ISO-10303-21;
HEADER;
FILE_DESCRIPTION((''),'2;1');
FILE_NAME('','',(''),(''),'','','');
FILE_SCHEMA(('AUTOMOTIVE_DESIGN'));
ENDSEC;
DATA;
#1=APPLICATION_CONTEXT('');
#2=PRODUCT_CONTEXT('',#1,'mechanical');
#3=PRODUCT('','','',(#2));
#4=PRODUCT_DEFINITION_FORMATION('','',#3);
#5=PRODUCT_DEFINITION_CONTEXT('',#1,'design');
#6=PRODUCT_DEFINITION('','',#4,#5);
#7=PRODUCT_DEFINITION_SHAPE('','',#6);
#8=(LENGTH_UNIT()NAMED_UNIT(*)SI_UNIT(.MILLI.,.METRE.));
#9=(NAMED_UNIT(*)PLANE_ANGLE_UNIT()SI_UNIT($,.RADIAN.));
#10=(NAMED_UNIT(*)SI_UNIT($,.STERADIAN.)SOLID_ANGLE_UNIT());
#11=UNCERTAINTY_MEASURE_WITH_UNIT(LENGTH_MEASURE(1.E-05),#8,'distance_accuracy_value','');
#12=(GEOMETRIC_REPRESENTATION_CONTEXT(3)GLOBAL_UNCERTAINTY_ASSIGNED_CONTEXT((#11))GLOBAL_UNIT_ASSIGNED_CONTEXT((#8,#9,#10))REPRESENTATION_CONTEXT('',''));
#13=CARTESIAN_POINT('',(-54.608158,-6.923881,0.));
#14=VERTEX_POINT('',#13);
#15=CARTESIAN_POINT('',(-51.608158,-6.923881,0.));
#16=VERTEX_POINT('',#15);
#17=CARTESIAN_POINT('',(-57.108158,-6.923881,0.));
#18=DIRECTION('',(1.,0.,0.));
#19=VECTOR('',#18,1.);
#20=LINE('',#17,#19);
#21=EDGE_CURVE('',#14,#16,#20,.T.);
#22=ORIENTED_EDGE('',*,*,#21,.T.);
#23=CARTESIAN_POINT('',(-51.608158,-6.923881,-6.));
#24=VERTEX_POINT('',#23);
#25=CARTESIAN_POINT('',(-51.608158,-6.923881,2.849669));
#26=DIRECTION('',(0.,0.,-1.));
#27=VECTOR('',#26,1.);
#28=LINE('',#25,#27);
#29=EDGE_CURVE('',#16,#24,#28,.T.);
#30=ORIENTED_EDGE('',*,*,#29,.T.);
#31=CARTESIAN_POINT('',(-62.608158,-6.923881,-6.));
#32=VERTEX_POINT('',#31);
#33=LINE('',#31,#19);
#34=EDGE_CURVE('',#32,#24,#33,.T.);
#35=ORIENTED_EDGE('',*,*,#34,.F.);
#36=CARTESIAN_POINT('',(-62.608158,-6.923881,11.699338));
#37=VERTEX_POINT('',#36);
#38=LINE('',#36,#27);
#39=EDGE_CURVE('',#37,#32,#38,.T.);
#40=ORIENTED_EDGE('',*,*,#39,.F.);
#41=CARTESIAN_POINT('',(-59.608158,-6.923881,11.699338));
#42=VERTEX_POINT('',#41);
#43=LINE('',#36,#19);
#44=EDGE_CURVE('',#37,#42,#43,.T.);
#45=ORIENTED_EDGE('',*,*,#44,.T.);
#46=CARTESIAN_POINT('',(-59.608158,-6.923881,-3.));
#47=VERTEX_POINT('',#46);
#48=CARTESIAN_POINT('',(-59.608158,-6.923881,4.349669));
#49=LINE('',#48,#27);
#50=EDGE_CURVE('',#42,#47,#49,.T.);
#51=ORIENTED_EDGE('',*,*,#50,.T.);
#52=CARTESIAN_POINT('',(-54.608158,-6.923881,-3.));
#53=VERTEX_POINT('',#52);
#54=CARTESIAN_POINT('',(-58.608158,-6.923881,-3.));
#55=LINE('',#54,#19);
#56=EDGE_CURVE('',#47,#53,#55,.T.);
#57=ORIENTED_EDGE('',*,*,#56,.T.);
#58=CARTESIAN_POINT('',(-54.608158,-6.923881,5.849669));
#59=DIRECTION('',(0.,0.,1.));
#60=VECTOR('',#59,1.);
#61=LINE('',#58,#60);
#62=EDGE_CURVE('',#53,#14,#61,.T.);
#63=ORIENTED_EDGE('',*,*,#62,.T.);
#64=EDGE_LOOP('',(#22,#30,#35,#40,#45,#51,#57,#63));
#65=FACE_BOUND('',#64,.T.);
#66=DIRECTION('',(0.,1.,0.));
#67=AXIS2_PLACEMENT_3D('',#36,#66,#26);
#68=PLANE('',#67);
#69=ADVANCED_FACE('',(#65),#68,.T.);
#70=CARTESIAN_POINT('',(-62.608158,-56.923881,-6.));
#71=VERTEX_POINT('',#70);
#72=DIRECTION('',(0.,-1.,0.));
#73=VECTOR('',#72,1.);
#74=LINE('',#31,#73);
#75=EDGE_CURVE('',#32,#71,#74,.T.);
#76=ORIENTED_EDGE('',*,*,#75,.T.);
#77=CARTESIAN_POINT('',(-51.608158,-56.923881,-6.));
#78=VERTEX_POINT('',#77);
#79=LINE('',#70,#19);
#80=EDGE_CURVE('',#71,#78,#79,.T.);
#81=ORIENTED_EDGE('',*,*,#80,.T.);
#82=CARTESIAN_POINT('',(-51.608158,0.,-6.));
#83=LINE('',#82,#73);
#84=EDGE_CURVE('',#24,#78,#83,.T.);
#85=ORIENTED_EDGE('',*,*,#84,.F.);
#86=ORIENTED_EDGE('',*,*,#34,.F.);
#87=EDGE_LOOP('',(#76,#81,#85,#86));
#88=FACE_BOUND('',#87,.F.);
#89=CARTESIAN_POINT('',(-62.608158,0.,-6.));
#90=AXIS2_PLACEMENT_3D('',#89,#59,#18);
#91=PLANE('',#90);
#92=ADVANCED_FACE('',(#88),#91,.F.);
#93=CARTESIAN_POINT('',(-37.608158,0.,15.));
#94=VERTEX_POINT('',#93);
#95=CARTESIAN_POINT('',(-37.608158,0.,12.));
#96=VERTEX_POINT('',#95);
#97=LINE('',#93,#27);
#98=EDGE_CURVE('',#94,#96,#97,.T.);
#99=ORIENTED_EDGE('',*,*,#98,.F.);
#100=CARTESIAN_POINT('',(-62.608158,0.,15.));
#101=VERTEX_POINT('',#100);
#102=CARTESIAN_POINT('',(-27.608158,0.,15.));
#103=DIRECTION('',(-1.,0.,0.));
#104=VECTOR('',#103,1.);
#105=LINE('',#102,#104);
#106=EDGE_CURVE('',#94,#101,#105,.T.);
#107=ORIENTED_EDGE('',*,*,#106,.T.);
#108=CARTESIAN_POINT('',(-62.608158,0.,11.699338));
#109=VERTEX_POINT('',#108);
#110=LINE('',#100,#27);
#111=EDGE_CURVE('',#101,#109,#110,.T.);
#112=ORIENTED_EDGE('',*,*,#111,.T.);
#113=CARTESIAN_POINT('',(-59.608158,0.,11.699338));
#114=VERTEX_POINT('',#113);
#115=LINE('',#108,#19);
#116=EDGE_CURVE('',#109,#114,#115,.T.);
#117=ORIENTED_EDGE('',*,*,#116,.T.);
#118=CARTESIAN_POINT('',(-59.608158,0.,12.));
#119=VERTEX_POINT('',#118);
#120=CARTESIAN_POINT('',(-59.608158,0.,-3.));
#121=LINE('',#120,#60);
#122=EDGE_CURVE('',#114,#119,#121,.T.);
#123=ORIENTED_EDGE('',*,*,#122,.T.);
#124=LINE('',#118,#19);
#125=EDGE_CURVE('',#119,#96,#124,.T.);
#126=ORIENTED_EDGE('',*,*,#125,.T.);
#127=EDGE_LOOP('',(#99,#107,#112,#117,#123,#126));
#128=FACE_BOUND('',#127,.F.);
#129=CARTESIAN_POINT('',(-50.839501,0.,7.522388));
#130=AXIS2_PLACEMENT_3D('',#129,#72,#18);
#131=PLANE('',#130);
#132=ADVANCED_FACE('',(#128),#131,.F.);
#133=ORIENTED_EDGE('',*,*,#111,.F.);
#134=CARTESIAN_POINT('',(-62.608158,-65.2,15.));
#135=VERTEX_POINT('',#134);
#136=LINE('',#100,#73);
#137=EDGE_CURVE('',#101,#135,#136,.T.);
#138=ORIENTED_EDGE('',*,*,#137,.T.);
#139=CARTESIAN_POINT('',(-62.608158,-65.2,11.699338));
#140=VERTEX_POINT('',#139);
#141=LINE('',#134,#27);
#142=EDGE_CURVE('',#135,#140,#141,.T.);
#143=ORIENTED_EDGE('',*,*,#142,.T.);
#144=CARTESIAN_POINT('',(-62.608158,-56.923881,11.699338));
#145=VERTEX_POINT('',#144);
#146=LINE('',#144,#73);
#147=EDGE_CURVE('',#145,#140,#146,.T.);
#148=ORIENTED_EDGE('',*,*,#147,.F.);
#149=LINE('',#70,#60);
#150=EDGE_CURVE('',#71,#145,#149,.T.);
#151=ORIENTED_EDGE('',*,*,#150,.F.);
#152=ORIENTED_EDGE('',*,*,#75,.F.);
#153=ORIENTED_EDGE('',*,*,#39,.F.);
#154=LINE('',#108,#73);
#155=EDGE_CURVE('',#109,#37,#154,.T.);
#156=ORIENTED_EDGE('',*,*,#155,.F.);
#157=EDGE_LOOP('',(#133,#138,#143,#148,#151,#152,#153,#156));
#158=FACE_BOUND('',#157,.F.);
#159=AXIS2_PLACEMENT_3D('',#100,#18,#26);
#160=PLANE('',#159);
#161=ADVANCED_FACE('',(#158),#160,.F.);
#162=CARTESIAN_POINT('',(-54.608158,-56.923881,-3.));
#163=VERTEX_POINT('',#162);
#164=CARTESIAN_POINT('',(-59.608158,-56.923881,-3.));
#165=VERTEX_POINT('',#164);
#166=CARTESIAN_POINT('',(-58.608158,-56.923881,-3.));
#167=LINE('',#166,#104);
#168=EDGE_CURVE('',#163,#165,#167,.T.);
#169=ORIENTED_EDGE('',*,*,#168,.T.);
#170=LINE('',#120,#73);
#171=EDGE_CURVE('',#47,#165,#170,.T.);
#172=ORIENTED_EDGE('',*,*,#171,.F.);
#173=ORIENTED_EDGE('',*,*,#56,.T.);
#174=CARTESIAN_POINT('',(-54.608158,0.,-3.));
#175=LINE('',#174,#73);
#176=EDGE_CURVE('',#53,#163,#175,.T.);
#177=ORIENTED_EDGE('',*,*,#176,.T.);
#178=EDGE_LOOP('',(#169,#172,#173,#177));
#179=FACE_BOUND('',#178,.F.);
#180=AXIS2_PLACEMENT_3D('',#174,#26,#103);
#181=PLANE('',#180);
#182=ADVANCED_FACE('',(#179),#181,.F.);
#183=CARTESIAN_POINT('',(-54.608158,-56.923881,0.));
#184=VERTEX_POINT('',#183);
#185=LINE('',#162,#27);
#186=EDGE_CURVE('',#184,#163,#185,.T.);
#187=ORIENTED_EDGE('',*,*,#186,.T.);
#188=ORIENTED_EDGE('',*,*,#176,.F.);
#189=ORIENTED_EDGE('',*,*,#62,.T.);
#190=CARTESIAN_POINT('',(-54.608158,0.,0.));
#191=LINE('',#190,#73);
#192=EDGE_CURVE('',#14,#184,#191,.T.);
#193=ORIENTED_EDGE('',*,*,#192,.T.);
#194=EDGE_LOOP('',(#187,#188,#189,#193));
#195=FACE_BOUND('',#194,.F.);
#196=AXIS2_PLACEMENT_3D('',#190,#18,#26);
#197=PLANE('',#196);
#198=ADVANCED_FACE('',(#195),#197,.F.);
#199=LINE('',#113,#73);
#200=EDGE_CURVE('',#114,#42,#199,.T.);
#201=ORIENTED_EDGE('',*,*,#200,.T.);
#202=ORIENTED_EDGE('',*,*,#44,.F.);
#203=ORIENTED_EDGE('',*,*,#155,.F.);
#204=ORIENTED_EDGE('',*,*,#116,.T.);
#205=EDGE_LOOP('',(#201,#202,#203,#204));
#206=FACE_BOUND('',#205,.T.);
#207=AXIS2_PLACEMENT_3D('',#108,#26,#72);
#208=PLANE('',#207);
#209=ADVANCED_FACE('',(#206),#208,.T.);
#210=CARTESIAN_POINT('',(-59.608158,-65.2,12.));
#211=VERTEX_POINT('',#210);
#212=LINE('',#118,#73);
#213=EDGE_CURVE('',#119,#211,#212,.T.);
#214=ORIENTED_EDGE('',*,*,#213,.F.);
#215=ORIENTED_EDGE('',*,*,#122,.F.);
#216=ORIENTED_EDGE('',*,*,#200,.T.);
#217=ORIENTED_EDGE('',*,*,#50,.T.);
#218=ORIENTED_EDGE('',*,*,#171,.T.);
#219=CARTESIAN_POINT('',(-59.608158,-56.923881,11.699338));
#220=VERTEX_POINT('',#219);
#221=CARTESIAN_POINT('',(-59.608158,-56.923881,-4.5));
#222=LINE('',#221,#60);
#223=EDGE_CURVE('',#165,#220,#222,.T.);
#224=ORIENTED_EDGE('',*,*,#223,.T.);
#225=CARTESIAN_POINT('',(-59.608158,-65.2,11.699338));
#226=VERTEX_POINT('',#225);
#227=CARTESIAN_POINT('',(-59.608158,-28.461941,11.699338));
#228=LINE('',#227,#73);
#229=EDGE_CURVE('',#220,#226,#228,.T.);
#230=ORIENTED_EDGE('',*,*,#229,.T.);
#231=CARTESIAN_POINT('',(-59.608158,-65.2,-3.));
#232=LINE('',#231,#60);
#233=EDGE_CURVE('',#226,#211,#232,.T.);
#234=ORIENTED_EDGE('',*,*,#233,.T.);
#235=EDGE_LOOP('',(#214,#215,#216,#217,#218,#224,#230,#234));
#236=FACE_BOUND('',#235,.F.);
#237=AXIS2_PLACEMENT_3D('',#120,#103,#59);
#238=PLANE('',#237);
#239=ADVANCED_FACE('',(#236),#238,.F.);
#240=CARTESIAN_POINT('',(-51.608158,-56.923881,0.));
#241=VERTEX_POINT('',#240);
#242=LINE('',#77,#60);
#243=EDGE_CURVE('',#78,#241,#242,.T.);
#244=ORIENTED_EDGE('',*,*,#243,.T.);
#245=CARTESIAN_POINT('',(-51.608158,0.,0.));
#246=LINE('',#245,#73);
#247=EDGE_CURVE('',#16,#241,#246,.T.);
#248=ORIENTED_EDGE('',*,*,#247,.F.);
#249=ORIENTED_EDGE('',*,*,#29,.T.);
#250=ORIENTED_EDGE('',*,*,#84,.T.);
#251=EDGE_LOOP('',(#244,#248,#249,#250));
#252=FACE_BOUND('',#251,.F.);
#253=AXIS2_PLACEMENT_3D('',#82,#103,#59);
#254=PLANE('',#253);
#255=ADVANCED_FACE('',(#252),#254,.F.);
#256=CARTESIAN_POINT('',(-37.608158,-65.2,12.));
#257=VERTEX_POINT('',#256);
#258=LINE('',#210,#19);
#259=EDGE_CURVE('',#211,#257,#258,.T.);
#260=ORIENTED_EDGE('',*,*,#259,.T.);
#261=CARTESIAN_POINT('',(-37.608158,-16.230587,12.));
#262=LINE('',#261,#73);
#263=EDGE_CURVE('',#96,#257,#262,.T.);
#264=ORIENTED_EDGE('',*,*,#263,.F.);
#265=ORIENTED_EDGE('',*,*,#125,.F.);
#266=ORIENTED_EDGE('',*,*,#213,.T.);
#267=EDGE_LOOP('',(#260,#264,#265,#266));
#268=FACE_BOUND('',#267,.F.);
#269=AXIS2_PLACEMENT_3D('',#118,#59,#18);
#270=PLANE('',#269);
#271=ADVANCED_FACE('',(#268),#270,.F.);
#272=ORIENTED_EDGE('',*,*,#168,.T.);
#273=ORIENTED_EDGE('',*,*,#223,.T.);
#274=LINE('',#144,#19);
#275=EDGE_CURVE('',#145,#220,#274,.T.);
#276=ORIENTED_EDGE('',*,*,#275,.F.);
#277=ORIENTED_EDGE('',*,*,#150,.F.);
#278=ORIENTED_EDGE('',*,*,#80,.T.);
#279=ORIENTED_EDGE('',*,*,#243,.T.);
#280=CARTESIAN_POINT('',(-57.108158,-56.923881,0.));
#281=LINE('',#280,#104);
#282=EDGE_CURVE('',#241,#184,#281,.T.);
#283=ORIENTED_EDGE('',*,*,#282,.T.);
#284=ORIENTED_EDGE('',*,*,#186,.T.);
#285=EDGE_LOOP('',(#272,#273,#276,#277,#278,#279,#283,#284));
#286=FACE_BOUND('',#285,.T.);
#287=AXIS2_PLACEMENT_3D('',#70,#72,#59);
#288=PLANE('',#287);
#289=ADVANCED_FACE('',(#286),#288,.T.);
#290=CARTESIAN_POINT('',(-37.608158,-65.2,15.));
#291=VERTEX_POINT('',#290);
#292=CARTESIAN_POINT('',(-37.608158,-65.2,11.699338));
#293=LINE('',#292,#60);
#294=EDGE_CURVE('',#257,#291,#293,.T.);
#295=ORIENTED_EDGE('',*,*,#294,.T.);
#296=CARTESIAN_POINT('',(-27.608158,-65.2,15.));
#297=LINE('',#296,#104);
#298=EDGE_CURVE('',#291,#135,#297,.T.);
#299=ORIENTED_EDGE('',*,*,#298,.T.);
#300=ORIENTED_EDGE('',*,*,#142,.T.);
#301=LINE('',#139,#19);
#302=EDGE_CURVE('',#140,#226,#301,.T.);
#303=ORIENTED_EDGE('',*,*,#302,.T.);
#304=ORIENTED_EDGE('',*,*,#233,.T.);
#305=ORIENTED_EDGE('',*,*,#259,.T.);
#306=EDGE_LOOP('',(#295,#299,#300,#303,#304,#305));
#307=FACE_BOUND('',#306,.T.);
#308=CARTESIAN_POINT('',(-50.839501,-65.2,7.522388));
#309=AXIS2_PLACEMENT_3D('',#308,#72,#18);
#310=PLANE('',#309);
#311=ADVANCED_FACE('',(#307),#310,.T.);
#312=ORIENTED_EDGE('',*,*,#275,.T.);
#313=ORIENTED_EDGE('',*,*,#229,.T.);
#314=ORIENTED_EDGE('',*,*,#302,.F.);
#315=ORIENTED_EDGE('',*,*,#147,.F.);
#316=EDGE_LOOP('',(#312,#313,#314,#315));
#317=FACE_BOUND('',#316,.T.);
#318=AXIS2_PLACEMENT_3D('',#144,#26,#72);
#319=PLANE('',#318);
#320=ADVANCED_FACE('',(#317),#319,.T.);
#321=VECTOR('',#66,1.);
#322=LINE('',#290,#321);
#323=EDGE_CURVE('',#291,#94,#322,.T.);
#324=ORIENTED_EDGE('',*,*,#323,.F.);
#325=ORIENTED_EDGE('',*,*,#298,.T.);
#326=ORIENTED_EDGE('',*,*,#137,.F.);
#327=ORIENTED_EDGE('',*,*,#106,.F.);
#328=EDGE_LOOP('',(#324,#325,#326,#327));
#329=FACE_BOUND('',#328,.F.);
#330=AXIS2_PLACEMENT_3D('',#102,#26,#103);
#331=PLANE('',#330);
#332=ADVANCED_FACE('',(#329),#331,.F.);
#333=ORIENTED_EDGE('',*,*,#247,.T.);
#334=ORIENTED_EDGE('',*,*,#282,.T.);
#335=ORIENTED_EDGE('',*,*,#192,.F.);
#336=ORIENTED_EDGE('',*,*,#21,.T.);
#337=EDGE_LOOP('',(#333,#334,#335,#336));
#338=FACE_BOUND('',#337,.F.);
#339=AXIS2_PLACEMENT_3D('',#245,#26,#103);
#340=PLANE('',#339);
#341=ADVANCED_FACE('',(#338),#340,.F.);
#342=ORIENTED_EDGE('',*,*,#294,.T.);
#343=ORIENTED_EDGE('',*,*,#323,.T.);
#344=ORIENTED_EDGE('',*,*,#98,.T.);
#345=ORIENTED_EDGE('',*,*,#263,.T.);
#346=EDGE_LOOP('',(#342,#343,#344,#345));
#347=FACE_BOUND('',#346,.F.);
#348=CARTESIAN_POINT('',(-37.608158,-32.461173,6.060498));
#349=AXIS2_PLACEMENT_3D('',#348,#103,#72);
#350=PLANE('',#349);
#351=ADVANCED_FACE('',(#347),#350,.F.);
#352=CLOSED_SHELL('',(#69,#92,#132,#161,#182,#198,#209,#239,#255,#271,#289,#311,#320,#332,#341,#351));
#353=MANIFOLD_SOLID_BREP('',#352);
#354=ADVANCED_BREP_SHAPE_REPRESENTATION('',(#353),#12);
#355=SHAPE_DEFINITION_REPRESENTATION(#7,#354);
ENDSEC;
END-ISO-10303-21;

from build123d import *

# Parameters (mm, degrees)
F1_DEPTH = 65.2
F3_DEPTH = 25


with BuildPart() as f1:
    # F0 (on Front) → F1 (new body)
    with BuildSketch(Plane.XZ):
        Polygon((-27.608158, 12), (-27.608158, 15), (-62.608158, 15), (-62.608158, -6), (-51.608158, -6), (-51.608158, 0), (-54.608158, 0), (-54.608158, -3), (-59.608158, -3), (-59.608158, 12), align=None)
    extrude(amount=F1_DEPTH)

    # F2 (on face) → F3 (intersect)
    with BuildSketch(Plane(origin=(-62.608158, 0, 0), x_dir=(0, -1, 0), z_dir=(-1, 0, 0))):
        Polygon((0, 15), (0, 11.699338), (6.923881, 11.699338), (6.923881, -6), (32.6, -6), (56.923881, -6), (56.923881, 11.699338), (65.2, 11.699338), (65.2, 15), align=None)
    extrude(amount=-F3_DEPTH, mode=Mode.INTERSECT)


solid = f1.part
